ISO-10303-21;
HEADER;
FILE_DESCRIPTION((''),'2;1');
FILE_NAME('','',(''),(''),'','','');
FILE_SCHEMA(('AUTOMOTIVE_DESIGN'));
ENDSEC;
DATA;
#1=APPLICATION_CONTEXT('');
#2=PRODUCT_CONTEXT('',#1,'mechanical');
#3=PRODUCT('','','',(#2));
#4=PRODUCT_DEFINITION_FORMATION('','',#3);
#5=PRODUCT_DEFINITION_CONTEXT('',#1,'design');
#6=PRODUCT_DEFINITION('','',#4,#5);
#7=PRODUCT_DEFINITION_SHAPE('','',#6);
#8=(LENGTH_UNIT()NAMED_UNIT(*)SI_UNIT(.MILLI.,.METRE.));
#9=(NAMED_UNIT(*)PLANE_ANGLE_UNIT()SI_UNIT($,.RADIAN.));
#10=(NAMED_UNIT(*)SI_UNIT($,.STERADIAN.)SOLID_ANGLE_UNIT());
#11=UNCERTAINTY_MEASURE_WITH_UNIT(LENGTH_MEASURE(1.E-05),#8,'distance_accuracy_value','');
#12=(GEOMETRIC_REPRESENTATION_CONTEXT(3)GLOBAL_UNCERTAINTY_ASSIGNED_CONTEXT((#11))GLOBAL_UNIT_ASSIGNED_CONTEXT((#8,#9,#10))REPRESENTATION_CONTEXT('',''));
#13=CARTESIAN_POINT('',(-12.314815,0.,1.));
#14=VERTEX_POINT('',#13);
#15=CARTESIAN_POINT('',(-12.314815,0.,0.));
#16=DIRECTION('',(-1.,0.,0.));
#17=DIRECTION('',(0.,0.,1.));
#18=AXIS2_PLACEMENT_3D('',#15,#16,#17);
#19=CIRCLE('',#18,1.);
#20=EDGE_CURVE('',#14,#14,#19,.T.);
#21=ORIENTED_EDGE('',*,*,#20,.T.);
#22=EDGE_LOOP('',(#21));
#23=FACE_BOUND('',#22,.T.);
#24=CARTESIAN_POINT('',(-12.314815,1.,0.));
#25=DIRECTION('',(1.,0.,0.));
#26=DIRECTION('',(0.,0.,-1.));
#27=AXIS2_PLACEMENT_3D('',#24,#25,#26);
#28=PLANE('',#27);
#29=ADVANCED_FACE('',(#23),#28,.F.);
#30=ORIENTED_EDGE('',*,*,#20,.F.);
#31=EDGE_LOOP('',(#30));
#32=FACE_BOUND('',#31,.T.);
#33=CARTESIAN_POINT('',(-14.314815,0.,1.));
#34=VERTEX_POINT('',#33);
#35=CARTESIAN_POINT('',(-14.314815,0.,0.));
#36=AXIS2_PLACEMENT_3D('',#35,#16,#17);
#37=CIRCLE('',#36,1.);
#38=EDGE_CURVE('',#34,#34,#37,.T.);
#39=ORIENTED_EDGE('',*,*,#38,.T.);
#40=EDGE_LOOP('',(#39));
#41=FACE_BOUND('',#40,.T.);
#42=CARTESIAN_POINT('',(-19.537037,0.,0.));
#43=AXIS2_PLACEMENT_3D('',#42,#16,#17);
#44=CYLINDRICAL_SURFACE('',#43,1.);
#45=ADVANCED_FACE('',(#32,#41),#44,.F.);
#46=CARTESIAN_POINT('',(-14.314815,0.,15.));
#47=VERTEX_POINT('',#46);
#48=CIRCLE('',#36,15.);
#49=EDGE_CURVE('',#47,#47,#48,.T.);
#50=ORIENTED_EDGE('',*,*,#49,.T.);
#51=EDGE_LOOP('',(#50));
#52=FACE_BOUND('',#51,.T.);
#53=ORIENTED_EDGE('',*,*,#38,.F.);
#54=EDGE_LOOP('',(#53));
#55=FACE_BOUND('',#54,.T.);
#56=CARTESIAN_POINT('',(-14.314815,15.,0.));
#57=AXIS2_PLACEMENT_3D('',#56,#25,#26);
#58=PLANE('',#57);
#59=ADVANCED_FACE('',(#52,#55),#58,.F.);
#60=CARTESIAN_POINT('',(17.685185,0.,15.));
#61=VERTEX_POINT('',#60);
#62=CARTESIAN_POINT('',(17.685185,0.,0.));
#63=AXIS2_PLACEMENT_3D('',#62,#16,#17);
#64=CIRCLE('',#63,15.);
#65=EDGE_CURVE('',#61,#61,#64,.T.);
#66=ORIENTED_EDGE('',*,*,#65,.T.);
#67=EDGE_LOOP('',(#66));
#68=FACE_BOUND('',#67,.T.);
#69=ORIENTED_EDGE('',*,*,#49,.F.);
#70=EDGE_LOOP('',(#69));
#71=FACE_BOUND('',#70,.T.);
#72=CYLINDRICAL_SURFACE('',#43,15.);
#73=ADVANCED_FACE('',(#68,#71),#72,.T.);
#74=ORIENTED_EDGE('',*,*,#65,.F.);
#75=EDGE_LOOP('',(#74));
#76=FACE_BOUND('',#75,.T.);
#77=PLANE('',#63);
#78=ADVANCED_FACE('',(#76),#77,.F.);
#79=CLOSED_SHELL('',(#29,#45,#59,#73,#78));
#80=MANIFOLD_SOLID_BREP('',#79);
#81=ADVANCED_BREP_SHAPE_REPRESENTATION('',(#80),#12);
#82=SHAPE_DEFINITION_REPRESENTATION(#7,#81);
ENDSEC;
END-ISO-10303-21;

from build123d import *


with BuildPart() as part:
    # Sketch1 → Revolve1 (revolve)
    with BuildSketch(Plane.XY):
        Polygon((17.685185185, 0), (17.685185185, 15), (-14.314814815, 15), (-14.314814815, 1), (-12.314814815, 1), (-12.314814815, 0), align=None)
    revolve(axis=Axis((-19.537037037, 0, 0), (1, 0, 0)))


solid = part.part
